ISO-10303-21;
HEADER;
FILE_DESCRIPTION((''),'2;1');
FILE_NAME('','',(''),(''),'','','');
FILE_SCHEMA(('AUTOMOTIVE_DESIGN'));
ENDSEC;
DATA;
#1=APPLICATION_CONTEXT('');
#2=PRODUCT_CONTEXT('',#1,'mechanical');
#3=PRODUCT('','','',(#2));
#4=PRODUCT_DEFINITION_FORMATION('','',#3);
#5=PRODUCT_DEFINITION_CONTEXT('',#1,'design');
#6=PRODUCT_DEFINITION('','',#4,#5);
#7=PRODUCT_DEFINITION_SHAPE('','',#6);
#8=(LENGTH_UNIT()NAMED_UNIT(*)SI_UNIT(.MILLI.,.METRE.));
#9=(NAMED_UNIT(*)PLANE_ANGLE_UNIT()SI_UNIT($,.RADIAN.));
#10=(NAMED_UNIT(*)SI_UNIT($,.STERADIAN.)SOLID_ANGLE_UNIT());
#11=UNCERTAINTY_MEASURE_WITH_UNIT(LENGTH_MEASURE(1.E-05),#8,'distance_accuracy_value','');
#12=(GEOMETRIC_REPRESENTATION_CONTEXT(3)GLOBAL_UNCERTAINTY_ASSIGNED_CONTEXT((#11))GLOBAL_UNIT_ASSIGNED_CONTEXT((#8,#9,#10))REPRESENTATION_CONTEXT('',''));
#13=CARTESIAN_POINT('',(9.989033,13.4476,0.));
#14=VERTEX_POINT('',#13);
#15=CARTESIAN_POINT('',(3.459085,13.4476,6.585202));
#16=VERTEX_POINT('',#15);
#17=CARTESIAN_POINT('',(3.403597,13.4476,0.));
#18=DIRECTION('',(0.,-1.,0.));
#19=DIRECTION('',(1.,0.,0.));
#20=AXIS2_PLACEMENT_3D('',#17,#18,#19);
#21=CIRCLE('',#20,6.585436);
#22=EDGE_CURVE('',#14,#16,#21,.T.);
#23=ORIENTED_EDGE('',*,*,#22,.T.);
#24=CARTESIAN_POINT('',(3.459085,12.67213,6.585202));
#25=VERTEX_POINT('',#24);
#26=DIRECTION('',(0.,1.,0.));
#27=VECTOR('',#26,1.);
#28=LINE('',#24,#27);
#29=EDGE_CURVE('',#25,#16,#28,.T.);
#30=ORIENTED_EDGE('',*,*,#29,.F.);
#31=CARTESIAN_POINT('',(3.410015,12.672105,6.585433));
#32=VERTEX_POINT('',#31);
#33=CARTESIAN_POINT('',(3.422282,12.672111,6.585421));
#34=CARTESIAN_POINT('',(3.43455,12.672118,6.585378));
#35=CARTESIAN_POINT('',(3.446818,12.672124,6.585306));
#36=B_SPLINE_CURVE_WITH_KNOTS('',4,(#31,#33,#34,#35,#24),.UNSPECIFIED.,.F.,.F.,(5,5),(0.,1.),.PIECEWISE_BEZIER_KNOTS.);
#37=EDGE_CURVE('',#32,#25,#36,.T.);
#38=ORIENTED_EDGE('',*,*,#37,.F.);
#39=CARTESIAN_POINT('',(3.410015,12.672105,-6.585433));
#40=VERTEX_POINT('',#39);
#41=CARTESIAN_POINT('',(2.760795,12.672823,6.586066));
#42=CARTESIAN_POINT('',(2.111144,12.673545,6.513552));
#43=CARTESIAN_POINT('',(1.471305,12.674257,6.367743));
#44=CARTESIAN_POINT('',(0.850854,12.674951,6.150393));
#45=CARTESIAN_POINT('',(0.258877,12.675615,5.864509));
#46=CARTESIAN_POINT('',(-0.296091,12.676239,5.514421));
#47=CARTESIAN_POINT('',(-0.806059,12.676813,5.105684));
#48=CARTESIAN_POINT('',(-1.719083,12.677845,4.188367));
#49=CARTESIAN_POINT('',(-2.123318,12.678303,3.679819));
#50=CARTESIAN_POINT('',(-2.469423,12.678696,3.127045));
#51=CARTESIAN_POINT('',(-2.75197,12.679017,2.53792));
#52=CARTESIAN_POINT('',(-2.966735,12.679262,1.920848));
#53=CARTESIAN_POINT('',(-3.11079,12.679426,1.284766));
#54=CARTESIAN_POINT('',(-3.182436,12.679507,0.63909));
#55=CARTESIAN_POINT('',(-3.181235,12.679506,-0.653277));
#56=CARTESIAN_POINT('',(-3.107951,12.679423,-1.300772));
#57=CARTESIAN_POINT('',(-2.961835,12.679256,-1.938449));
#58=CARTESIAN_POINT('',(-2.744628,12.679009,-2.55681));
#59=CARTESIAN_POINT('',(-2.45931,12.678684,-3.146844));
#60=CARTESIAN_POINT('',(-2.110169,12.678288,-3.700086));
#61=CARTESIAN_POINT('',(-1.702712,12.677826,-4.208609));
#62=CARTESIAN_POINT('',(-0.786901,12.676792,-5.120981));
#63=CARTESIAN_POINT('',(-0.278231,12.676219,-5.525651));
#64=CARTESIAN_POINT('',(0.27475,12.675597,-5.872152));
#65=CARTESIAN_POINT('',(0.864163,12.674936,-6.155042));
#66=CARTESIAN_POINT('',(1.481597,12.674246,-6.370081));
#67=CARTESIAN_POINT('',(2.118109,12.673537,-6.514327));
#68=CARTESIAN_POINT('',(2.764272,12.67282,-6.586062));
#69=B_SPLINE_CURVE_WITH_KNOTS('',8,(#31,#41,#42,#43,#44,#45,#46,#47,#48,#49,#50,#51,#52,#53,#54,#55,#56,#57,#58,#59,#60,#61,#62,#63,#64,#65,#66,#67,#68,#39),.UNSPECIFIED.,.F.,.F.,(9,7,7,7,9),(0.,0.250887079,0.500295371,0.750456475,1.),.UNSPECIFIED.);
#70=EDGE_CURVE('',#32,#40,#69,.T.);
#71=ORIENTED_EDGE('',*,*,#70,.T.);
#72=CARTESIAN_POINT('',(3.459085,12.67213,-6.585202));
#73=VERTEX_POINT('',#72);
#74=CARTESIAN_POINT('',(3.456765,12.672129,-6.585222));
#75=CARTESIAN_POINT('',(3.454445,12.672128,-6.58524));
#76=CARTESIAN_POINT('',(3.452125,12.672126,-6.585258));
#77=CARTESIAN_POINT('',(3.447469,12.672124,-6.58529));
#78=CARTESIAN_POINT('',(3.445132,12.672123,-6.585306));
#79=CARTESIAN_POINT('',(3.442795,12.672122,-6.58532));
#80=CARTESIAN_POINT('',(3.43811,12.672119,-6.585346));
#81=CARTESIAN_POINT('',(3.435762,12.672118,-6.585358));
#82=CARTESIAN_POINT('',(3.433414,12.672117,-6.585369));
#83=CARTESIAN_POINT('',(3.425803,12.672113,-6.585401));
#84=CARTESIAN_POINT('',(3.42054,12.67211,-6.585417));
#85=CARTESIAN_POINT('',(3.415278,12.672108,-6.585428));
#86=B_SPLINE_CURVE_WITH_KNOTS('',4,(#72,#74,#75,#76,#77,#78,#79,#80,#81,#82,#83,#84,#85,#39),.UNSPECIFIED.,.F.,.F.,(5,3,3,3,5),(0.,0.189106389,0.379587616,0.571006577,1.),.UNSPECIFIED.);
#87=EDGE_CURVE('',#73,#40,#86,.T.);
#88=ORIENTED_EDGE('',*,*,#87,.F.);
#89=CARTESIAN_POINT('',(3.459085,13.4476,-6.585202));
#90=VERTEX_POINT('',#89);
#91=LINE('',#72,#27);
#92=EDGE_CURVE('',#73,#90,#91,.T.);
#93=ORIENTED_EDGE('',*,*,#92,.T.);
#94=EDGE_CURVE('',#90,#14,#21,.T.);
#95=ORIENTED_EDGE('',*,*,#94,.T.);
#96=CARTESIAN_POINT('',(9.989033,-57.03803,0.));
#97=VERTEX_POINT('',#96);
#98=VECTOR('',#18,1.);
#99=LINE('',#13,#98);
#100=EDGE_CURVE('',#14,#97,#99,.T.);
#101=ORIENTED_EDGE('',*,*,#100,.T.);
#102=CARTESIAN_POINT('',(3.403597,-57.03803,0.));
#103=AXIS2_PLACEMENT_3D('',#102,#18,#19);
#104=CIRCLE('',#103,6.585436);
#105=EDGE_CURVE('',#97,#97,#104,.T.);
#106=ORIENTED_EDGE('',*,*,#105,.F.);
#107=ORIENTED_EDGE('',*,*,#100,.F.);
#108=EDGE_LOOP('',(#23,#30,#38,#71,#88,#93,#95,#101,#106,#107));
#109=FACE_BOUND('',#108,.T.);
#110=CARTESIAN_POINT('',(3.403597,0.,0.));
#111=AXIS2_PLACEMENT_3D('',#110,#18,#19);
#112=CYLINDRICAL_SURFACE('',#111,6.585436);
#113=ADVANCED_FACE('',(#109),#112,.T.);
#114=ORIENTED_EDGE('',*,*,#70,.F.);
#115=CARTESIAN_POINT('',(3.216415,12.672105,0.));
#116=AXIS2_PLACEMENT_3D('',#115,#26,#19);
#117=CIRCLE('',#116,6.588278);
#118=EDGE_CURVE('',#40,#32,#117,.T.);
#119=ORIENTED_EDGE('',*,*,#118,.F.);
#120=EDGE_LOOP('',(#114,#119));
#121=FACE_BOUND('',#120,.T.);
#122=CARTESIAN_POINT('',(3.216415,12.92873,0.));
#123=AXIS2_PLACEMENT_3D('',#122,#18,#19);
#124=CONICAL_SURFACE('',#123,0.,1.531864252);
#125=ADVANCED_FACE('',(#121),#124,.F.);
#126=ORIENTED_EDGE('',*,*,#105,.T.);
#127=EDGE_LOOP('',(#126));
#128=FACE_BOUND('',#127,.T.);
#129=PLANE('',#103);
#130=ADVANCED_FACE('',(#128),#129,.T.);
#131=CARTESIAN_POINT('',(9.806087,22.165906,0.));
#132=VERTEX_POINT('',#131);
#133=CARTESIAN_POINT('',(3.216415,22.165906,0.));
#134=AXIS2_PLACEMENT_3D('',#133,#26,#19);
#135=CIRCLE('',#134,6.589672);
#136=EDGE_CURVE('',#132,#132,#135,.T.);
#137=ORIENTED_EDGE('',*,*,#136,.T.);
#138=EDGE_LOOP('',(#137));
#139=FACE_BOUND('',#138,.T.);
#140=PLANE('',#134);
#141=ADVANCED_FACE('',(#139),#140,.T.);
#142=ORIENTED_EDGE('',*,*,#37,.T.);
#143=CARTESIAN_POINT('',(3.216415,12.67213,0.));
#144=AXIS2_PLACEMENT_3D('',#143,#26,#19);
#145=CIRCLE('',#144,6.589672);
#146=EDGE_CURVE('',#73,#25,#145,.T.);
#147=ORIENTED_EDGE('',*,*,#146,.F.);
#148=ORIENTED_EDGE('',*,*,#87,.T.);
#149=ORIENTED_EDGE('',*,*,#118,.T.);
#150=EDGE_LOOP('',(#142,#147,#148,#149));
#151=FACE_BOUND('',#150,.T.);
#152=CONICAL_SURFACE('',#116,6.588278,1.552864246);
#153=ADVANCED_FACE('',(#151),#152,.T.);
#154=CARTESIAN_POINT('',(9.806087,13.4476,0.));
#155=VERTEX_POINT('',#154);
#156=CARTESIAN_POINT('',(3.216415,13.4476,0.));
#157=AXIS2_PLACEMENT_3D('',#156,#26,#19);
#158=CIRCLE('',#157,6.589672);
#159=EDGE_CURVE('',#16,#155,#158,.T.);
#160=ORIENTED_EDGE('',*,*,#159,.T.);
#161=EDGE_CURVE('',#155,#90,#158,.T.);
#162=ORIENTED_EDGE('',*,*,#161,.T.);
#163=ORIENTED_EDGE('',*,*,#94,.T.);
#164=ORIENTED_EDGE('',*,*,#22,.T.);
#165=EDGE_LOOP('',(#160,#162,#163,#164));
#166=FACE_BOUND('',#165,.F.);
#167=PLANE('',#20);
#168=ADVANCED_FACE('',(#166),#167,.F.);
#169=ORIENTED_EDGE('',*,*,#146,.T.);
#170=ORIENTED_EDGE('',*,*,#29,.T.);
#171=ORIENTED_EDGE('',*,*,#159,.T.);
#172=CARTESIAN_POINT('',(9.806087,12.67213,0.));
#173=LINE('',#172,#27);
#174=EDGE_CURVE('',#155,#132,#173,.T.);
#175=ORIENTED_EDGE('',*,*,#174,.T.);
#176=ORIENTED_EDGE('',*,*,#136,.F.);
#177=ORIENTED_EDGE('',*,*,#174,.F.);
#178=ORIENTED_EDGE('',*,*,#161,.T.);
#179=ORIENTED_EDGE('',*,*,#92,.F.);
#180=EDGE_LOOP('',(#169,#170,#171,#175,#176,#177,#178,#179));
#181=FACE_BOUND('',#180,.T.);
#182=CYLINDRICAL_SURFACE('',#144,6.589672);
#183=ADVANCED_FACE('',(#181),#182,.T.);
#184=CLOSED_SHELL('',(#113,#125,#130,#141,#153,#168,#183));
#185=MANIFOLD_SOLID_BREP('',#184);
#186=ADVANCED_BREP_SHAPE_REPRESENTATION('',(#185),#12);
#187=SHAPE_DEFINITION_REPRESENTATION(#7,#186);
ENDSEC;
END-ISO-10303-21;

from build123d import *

# Parameters (mm, degrees)
F2_R          = 6.585436
F3_DEPTH      = 57.03803
F3_DEPTH_BACK = 13.4476


with BuildPart() as f1:
    # F0 (on Top) → F1 (revolve)
    with BuildSketch(Plane.XY):
        Polygon((3.216415, 22.165906), (3.216415, 12.92873), (9.804693, 12.672105), (9.806087, 12.67213), (9.806087, 22.165906), align=None)
    revolve(axis=Axis((3.216415, 17.547318, 0), (0, 1, 0)))

    # F2 (on Front) → F3 (join, two sides)
    with BuildSketch(Plane.XZ) as f3_sk:
        with Locations((3.403597, 0)):
            Circle(F2_R)
    extrude(amount=F3_DEPTH)
    extrude(f3_sk.sketch, amount=-F3_DEPTH_BACK)


solid = f1.part
